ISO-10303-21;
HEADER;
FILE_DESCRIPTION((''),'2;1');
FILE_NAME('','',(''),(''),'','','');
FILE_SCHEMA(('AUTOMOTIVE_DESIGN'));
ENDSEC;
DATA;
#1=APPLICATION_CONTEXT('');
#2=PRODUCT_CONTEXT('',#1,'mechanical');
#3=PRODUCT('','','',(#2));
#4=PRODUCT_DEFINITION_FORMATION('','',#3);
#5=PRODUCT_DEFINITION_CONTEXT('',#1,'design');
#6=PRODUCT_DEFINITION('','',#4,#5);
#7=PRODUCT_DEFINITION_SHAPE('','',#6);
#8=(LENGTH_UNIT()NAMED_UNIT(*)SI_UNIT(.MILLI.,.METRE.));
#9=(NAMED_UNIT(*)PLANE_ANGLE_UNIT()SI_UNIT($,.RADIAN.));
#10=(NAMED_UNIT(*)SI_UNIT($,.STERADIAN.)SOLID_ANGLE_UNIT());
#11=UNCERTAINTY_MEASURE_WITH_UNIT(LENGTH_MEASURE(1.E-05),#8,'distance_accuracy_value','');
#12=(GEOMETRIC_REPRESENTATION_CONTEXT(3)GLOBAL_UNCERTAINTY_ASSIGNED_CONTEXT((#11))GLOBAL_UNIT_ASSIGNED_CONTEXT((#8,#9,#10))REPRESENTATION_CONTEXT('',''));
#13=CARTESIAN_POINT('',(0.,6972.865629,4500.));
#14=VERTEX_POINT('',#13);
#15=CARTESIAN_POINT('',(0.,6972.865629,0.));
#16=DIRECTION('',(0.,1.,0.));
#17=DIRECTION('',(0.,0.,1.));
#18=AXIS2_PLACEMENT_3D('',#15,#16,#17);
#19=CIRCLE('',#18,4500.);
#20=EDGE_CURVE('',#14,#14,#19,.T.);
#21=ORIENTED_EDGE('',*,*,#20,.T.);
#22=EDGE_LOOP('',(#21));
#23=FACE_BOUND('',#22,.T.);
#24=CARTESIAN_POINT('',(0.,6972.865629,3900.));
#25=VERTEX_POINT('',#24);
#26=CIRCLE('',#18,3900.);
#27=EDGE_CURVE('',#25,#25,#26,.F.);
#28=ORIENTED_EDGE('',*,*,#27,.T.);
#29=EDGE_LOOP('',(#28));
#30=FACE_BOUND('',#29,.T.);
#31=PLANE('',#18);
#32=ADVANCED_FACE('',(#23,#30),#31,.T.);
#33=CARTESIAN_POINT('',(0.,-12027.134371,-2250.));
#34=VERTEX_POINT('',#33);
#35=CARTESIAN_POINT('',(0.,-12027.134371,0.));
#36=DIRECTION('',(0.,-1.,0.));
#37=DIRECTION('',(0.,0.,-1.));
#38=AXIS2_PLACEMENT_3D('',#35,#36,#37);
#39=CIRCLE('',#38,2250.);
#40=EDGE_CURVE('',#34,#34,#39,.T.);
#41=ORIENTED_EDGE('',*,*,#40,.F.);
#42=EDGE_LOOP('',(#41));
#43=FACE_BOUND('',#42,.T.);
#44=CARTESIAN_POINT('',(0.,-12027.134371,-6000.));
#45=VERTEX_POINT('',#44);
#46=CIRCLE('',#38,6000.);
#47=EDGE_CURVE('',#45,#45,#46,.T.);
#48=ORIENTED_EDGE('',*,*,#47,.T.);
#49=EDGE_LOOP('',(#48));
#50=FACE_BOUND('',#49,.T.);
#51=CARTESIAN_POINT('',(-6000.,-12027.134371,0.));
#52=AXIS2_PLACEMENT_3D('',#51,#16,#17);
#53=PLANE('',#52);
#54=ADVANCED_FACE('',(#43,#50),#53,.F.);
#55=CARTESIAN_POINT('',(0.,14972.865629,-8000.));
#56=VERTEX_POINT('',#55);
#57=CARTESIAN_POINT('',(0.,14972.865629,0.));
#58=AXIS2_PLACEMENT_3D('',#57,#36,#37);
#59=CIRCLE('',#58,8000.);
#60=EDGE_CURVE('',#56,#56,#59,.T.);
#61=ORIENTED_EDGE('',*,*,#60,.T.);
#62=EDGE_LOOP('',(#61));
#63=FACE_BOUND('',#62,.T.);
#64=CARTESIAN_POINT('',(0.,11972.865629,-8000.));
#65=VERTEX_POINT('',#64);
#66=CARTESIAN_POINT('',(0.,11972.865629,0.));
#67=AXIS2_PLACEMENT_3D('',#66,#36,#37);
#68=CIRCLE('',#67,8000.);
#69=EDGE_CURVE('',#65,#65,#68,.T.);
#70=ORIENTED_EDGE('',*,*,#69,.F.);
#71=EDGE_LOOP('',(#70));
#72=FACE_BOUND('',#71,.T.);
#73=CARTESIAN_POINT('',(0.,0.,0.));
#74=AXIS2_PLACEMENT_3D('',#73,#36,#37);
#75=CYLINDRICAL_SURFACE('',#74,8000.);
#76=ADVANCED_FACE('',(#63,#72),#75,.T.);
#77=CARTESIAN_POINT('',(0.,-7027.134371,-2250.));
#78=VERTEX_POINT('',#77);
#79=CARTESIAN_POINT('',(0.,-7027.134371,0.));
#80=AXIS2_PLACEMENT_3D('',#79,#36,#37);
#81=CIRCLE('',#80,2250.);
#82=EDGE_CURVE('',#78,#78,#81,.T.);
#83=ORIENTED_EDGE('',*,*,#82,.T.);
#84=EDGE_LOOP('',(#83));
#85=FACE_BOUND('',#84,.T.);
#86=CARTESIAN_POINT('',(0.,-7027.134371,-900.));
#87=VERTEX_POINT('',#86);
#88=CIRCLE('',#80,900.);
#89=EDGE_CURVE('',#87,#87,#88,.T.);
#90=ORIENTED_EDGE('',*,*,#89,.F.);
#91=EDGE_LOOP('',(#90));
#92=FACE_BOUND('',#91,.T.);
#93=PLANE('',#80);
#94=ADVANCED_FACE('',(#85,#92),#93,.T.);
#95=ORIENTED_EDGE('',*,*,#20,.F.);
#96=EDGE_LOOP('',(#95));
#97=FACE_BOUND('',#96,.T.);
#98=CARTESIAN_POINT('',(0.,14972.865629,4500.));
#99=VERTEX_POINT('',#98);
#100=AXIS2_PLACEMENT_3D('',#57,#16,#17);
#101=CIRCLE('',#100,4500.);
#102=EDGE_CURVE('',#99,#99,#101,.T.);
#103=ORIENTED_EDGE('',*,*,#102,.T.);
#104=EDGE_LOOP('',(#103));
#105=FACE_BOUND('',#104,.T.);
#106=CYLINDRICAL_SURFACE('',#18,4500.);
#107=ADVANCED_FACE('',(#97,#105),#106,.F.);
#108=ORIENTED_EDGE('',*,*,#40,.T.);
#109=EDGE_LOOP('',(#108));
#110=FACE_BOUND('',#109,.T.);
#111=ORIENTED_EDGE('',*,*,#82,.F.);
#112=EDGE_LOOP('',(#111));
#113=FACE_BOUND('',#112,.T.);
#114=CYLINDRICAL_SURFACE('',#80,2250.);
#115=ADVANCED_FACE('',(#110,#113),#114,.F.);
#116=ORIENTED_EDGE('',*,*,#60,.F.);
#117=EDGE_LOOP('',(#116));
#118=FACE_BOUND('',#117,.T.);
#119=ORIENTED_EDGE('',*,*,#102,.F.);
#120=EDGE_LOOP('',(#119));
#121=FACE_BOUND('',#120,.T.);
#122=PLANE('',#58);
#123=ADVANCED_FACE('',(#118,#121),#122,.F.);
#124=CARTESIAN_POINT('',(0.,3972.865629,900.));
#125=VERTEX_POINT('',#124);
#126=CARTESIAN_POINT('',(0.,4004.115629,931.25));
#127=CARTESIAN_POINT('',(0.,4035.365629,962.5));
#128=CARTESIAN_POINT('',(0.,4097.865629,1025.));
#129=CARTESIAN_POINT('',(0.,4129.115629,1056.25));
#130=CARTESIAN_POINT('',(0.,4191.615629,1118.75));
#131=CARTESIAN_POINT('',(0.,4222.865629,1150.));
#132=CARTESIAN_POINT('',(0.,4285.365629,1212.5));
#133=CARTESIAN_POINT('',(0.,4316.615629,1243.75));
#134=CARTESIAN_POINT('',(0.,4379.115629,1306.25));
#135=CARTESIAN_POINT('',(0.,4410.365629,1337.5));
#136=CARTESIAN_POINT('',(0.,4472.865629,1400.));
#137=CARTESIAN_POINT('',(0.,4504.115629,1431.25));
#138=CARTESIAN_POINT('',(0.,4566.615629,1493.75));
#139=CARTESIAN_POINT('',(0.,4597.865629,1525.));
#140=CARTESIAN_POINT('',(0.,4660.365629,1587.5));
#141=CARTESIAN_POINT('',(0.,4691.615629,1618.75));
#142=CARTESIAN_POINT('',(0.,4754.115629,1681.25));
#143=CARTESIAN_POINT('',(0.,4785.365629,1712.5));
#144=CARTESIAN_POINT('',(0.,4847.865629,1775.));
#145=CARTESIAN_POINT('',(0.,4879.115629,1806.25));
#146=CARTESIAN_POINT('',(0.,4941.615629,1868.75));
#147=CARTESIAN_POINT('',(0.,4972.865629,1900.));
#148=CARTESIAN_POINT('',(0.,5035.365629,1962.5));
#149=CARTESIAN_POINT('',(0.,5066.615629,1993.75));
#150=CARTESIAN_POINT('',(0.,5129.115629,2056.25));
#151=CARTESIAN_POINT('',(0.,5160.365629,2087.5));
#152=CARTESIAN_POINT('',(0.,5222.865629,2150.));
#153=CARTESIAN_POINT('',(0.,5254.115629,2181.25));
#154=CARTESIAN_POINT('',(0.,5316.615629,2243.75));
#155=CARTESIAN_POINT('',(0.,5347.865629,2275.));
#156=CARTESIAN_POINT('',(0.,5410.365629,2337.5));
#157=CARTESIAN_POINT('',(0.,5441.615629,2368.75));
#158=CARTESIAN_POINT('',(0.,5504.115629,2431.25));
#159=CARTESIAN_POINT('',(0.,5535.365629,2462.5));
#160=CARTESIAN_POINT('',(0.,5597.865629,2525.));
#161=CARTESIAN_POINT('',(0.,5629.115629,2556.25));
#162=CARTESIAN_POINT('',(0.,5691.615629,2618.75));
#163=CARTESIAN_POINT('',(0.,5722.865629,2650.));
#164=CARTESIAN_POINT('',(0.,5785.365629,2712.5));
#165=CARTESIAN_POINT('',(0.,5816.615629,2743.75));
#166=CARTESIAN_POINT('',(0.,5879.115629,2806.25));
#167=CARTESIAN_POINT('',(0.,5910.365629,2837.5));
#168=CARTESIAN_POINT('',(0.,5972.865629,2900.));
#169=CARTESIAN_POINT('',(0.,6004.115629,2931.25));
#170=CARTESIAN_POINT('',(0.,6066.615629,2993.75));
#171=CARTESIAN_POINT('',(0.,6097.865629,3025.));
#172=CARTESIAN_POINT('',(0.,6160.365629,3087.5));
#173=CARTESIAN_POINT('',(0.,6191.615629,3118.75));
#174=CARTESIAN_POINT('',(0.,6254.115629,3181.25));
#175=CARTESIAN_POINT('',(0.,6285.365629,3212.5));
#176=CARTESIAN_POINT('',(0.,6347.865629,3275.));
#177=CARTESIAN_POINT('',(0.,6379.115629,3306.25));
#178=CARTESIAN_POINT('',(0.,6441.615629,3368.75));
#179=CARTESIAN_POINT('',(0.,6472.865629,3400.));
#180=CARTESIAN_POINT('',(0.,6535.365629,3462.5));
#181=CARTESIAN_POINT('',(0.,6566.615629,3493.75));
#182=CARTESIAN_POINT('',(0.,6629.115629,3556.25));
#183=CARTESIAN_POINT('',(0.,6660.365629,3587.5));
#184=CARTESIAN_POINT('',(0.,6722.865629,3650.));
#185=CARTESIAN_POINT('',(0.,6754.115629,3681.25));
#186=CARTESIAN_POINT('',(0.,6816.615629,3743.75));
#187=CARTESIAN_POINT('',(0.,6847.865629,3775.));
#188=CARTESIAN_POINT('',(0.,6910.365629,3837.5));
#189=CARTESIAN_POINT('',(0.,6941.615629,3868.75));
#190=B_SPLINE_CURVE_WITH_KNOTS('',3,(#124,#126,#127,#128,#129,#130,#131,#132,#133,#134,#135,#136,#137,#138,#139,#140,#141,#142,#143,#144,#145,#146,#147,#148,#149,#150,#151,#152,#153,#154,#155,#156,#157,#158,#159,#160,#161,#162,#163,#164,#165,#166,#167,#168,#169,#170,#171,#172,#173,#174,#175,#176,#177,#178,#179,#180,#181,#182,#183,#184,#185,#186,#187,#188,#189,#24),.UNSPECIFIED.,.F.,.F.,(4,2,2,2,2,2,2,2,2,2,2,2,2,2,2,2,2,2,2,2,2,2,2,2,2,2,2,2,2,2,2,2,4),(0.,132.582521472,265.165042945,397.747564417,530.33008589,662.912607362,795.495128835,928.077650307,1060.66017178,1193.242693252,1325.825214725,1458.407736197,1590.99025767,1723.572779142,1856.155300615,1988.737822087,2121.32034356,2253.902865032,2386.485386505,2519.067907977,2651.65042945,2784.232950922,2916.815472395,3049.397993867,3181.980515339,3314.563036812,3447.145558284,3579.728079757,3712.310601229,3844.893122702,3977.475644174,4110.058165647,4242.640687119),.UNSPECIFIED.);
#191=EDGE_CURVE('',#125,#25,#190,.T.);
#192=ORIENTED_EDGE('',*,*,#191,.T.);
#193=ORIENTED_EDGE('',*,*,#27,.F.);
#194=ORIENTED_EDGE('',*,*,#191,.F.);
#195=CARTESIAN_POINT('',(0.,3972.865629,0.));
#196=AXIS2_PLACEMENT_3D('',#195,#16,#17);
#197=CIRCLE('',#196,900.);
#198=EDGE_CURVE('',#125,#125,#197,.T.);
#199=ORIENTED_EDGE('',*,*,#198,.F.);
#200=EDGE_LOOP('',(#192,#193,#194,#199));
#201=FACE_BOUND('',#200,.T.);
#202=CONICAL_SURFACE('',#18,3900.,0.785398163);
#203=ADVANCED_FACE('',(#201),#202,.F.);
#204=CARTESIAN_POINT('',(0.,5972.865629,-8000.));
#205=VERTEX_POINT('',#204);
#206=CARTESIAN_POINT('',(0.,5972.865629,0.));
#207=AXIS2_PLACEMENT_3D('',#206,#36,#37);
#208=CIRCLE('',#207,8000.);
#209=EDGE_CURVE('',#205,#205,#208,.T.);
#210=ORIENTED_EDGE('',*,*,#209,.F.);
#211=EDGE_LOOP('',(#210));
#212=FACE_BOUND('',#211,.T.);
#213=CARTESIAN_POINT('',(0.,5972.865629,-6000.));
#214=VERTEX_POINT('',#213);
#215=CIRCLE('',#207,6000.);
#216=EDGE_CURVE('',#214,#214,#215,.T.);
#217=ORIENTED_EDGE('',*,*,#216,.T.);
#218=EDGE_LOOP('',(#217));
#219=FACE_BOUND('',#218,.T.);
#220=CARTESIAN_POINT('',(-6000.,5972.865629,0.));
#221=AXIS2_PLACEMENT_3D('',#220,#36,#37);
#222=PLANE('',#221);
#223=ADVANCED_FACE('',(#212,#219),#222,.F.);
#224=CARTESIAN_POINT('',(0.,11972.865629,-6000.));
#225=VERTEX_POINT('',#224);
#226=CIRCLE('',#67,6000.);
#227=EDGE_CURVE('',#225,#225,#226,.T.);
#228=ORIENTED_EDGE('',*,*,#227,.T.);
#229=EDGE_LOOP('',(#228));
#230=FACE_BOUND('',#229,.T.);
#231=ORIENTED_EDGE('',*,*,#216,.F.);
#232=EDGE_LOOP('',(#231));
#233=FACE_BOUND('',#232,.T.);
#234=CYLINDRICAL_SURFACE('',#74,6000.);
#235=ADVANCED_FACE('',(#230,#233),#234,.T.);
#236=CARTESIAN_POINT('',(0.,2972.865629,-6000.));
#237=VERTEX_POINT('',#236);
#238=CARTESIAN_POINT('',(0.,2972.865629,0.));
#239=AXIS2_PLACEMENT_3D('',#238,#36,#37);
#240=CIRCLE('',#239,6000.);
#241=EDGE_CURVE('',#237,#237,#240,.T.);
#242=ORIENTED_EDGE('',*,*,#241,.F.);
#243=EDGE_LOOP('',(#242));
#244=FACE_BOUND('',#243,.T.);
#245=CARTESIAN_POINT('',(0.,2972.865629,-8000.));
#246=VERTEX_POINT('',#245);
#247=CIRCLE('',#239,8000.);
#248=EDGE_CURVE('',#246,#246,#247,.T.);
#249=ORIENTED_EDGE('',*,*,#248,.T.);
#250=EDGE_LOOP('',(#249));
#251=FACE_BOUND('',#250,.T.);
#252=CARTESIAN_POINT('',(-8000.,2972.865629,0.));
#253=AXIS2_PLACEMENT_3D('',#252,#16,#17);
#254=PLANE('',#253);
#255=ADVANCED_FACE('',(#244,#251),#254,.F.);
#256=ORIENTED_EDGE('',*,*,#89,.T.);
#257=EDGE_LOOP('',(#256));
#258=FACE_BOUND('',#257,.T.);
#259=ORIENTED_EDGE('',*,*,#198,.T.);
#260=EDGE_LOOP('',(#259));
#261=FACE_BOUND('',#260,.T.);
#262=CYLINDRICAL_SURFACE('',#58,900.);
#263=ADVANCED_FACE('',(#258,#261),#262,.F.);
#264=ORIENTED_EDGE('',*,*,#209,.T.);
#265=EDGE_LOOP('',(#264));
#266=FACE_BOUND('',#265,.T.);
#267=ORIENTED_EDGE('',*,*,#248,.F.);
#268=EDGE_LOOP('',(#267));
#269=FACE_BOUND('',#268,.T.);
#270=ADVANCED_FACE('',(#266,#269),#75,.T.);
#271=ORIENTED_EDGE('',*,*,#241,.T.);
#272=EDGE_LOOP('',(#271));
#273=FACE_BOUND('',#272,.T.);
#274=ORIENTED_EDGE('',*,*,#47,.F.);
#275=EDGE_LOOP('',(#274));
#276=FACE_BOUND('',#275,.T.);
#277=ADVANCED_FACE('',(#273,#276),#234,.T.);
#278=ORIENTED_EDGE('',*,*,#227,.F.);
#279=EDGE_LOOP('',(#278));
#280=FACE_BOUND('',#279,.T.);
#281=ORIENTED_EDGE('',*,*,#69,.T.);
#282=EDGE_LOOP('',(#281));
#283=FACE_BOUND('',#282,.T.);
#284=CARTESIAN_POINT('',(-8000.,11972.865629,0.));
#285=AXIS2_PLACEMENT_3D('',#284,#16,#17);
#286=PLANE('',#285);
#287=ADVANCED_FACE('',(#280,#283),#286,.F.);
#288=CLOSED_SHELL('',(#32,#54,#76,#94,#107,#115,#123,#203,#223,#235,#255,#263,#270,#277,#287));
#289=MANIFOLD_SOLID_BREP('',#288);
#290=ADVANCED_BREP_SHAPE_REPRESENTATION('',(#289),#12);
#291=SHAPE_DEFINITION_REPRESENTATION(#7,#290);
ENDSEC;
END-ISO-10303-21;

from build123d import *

# Parameters (mm, degrees)
SKETCH_2_R          = 2250
SKETCH_2_R_2        = 900
CUT_EXTRUDE_1_DEPTH = 5000
SKETCH_3_R          = 900
CUT_EXTRUDE_3_DEPTH = 29275.562336609
SKETCH_4_R          = 4500
CUT_EXTRUDE_4_DEPTH = 8000
CHAMFER_1_SIZE      = 3000


with BuildPart() as part:
    # 草圖1 → 旋轉1 (revolve)
    with BuildSketch(Plane.XY, mode=Mode.PRIVATE) as revolve_1_sk:
        Polygon((0, 0), (0, 14972.865629195), (-8000, 14972.865629195), (-8000, 11972.865629195), (-6000, 11972.865629195), (-6000, 5972.865629195), (-8000, 5972.865629195), (-8000, 2972.865629195), (-6000, 2972.865629195), (-6000, -12027.134370805), (0, -12027.134370805), align=None)
    revolve(revolve_1_sk.sketch.rotate(Axis((0, 0, 0), (0, 1, 0)), 270), axis=Axis((0, 0, 0), (0, 1, 0)))

    # 草圖2 → 除料-伸長1 (cut)
    with BuildSketch(Plane.XZ.offset(12027.134370805)):
        with Locations(Location((0, 0, 0), (0, 0, 270))):
            Circle(SKETCH_2_R)
        with Locations(Location((0, 0, 0), (0, 0, 270))):
            Circle(SKETCH_2_R_2, mode=Mode.SUBTRACT)
    extrude(amount=-CUT_EXTRUDE_1_DEPTH, mode=Mode.SUBTRACT)

    # 草圖3 → 除料-伸長3 (cut, through all)
    with BuildSketch(Plane.XZ.offset(12027.134370805)):
        with Locations(Location((0, 0, 0), (0, 0, 270))):
            Circle(SKETCH_3_R)
    extrude(amount=-CUT_EXTRUDE_3_DEPTH, mode=Mode.SUBTRACT)

    # 草圖4 → 除料-伸長4 (cut)
    with BuildSketch(Plane(origin=(0, 14972.865629195, 0), x_dir=(1, 0, 0), z_dir=(0, 1, 0))):
        with Locations(Location((0, 0, 0), (0, 0, 270))):
            Circle(SKETCH_4_R)
    extrude(amount=-CUT_EXTRUDE_4_DEPTH, mode=Mode.SUBTRACT)

    # 導角1
    chamfer_1_edges = [part.edges().sort_by_distance(p)[0] for p in [
        (0, 6972.865629195, 900),
    ]]
    chamfer(chamfer_1_edges, length=CHAMFER_1_SIZE)


solid = part.part
